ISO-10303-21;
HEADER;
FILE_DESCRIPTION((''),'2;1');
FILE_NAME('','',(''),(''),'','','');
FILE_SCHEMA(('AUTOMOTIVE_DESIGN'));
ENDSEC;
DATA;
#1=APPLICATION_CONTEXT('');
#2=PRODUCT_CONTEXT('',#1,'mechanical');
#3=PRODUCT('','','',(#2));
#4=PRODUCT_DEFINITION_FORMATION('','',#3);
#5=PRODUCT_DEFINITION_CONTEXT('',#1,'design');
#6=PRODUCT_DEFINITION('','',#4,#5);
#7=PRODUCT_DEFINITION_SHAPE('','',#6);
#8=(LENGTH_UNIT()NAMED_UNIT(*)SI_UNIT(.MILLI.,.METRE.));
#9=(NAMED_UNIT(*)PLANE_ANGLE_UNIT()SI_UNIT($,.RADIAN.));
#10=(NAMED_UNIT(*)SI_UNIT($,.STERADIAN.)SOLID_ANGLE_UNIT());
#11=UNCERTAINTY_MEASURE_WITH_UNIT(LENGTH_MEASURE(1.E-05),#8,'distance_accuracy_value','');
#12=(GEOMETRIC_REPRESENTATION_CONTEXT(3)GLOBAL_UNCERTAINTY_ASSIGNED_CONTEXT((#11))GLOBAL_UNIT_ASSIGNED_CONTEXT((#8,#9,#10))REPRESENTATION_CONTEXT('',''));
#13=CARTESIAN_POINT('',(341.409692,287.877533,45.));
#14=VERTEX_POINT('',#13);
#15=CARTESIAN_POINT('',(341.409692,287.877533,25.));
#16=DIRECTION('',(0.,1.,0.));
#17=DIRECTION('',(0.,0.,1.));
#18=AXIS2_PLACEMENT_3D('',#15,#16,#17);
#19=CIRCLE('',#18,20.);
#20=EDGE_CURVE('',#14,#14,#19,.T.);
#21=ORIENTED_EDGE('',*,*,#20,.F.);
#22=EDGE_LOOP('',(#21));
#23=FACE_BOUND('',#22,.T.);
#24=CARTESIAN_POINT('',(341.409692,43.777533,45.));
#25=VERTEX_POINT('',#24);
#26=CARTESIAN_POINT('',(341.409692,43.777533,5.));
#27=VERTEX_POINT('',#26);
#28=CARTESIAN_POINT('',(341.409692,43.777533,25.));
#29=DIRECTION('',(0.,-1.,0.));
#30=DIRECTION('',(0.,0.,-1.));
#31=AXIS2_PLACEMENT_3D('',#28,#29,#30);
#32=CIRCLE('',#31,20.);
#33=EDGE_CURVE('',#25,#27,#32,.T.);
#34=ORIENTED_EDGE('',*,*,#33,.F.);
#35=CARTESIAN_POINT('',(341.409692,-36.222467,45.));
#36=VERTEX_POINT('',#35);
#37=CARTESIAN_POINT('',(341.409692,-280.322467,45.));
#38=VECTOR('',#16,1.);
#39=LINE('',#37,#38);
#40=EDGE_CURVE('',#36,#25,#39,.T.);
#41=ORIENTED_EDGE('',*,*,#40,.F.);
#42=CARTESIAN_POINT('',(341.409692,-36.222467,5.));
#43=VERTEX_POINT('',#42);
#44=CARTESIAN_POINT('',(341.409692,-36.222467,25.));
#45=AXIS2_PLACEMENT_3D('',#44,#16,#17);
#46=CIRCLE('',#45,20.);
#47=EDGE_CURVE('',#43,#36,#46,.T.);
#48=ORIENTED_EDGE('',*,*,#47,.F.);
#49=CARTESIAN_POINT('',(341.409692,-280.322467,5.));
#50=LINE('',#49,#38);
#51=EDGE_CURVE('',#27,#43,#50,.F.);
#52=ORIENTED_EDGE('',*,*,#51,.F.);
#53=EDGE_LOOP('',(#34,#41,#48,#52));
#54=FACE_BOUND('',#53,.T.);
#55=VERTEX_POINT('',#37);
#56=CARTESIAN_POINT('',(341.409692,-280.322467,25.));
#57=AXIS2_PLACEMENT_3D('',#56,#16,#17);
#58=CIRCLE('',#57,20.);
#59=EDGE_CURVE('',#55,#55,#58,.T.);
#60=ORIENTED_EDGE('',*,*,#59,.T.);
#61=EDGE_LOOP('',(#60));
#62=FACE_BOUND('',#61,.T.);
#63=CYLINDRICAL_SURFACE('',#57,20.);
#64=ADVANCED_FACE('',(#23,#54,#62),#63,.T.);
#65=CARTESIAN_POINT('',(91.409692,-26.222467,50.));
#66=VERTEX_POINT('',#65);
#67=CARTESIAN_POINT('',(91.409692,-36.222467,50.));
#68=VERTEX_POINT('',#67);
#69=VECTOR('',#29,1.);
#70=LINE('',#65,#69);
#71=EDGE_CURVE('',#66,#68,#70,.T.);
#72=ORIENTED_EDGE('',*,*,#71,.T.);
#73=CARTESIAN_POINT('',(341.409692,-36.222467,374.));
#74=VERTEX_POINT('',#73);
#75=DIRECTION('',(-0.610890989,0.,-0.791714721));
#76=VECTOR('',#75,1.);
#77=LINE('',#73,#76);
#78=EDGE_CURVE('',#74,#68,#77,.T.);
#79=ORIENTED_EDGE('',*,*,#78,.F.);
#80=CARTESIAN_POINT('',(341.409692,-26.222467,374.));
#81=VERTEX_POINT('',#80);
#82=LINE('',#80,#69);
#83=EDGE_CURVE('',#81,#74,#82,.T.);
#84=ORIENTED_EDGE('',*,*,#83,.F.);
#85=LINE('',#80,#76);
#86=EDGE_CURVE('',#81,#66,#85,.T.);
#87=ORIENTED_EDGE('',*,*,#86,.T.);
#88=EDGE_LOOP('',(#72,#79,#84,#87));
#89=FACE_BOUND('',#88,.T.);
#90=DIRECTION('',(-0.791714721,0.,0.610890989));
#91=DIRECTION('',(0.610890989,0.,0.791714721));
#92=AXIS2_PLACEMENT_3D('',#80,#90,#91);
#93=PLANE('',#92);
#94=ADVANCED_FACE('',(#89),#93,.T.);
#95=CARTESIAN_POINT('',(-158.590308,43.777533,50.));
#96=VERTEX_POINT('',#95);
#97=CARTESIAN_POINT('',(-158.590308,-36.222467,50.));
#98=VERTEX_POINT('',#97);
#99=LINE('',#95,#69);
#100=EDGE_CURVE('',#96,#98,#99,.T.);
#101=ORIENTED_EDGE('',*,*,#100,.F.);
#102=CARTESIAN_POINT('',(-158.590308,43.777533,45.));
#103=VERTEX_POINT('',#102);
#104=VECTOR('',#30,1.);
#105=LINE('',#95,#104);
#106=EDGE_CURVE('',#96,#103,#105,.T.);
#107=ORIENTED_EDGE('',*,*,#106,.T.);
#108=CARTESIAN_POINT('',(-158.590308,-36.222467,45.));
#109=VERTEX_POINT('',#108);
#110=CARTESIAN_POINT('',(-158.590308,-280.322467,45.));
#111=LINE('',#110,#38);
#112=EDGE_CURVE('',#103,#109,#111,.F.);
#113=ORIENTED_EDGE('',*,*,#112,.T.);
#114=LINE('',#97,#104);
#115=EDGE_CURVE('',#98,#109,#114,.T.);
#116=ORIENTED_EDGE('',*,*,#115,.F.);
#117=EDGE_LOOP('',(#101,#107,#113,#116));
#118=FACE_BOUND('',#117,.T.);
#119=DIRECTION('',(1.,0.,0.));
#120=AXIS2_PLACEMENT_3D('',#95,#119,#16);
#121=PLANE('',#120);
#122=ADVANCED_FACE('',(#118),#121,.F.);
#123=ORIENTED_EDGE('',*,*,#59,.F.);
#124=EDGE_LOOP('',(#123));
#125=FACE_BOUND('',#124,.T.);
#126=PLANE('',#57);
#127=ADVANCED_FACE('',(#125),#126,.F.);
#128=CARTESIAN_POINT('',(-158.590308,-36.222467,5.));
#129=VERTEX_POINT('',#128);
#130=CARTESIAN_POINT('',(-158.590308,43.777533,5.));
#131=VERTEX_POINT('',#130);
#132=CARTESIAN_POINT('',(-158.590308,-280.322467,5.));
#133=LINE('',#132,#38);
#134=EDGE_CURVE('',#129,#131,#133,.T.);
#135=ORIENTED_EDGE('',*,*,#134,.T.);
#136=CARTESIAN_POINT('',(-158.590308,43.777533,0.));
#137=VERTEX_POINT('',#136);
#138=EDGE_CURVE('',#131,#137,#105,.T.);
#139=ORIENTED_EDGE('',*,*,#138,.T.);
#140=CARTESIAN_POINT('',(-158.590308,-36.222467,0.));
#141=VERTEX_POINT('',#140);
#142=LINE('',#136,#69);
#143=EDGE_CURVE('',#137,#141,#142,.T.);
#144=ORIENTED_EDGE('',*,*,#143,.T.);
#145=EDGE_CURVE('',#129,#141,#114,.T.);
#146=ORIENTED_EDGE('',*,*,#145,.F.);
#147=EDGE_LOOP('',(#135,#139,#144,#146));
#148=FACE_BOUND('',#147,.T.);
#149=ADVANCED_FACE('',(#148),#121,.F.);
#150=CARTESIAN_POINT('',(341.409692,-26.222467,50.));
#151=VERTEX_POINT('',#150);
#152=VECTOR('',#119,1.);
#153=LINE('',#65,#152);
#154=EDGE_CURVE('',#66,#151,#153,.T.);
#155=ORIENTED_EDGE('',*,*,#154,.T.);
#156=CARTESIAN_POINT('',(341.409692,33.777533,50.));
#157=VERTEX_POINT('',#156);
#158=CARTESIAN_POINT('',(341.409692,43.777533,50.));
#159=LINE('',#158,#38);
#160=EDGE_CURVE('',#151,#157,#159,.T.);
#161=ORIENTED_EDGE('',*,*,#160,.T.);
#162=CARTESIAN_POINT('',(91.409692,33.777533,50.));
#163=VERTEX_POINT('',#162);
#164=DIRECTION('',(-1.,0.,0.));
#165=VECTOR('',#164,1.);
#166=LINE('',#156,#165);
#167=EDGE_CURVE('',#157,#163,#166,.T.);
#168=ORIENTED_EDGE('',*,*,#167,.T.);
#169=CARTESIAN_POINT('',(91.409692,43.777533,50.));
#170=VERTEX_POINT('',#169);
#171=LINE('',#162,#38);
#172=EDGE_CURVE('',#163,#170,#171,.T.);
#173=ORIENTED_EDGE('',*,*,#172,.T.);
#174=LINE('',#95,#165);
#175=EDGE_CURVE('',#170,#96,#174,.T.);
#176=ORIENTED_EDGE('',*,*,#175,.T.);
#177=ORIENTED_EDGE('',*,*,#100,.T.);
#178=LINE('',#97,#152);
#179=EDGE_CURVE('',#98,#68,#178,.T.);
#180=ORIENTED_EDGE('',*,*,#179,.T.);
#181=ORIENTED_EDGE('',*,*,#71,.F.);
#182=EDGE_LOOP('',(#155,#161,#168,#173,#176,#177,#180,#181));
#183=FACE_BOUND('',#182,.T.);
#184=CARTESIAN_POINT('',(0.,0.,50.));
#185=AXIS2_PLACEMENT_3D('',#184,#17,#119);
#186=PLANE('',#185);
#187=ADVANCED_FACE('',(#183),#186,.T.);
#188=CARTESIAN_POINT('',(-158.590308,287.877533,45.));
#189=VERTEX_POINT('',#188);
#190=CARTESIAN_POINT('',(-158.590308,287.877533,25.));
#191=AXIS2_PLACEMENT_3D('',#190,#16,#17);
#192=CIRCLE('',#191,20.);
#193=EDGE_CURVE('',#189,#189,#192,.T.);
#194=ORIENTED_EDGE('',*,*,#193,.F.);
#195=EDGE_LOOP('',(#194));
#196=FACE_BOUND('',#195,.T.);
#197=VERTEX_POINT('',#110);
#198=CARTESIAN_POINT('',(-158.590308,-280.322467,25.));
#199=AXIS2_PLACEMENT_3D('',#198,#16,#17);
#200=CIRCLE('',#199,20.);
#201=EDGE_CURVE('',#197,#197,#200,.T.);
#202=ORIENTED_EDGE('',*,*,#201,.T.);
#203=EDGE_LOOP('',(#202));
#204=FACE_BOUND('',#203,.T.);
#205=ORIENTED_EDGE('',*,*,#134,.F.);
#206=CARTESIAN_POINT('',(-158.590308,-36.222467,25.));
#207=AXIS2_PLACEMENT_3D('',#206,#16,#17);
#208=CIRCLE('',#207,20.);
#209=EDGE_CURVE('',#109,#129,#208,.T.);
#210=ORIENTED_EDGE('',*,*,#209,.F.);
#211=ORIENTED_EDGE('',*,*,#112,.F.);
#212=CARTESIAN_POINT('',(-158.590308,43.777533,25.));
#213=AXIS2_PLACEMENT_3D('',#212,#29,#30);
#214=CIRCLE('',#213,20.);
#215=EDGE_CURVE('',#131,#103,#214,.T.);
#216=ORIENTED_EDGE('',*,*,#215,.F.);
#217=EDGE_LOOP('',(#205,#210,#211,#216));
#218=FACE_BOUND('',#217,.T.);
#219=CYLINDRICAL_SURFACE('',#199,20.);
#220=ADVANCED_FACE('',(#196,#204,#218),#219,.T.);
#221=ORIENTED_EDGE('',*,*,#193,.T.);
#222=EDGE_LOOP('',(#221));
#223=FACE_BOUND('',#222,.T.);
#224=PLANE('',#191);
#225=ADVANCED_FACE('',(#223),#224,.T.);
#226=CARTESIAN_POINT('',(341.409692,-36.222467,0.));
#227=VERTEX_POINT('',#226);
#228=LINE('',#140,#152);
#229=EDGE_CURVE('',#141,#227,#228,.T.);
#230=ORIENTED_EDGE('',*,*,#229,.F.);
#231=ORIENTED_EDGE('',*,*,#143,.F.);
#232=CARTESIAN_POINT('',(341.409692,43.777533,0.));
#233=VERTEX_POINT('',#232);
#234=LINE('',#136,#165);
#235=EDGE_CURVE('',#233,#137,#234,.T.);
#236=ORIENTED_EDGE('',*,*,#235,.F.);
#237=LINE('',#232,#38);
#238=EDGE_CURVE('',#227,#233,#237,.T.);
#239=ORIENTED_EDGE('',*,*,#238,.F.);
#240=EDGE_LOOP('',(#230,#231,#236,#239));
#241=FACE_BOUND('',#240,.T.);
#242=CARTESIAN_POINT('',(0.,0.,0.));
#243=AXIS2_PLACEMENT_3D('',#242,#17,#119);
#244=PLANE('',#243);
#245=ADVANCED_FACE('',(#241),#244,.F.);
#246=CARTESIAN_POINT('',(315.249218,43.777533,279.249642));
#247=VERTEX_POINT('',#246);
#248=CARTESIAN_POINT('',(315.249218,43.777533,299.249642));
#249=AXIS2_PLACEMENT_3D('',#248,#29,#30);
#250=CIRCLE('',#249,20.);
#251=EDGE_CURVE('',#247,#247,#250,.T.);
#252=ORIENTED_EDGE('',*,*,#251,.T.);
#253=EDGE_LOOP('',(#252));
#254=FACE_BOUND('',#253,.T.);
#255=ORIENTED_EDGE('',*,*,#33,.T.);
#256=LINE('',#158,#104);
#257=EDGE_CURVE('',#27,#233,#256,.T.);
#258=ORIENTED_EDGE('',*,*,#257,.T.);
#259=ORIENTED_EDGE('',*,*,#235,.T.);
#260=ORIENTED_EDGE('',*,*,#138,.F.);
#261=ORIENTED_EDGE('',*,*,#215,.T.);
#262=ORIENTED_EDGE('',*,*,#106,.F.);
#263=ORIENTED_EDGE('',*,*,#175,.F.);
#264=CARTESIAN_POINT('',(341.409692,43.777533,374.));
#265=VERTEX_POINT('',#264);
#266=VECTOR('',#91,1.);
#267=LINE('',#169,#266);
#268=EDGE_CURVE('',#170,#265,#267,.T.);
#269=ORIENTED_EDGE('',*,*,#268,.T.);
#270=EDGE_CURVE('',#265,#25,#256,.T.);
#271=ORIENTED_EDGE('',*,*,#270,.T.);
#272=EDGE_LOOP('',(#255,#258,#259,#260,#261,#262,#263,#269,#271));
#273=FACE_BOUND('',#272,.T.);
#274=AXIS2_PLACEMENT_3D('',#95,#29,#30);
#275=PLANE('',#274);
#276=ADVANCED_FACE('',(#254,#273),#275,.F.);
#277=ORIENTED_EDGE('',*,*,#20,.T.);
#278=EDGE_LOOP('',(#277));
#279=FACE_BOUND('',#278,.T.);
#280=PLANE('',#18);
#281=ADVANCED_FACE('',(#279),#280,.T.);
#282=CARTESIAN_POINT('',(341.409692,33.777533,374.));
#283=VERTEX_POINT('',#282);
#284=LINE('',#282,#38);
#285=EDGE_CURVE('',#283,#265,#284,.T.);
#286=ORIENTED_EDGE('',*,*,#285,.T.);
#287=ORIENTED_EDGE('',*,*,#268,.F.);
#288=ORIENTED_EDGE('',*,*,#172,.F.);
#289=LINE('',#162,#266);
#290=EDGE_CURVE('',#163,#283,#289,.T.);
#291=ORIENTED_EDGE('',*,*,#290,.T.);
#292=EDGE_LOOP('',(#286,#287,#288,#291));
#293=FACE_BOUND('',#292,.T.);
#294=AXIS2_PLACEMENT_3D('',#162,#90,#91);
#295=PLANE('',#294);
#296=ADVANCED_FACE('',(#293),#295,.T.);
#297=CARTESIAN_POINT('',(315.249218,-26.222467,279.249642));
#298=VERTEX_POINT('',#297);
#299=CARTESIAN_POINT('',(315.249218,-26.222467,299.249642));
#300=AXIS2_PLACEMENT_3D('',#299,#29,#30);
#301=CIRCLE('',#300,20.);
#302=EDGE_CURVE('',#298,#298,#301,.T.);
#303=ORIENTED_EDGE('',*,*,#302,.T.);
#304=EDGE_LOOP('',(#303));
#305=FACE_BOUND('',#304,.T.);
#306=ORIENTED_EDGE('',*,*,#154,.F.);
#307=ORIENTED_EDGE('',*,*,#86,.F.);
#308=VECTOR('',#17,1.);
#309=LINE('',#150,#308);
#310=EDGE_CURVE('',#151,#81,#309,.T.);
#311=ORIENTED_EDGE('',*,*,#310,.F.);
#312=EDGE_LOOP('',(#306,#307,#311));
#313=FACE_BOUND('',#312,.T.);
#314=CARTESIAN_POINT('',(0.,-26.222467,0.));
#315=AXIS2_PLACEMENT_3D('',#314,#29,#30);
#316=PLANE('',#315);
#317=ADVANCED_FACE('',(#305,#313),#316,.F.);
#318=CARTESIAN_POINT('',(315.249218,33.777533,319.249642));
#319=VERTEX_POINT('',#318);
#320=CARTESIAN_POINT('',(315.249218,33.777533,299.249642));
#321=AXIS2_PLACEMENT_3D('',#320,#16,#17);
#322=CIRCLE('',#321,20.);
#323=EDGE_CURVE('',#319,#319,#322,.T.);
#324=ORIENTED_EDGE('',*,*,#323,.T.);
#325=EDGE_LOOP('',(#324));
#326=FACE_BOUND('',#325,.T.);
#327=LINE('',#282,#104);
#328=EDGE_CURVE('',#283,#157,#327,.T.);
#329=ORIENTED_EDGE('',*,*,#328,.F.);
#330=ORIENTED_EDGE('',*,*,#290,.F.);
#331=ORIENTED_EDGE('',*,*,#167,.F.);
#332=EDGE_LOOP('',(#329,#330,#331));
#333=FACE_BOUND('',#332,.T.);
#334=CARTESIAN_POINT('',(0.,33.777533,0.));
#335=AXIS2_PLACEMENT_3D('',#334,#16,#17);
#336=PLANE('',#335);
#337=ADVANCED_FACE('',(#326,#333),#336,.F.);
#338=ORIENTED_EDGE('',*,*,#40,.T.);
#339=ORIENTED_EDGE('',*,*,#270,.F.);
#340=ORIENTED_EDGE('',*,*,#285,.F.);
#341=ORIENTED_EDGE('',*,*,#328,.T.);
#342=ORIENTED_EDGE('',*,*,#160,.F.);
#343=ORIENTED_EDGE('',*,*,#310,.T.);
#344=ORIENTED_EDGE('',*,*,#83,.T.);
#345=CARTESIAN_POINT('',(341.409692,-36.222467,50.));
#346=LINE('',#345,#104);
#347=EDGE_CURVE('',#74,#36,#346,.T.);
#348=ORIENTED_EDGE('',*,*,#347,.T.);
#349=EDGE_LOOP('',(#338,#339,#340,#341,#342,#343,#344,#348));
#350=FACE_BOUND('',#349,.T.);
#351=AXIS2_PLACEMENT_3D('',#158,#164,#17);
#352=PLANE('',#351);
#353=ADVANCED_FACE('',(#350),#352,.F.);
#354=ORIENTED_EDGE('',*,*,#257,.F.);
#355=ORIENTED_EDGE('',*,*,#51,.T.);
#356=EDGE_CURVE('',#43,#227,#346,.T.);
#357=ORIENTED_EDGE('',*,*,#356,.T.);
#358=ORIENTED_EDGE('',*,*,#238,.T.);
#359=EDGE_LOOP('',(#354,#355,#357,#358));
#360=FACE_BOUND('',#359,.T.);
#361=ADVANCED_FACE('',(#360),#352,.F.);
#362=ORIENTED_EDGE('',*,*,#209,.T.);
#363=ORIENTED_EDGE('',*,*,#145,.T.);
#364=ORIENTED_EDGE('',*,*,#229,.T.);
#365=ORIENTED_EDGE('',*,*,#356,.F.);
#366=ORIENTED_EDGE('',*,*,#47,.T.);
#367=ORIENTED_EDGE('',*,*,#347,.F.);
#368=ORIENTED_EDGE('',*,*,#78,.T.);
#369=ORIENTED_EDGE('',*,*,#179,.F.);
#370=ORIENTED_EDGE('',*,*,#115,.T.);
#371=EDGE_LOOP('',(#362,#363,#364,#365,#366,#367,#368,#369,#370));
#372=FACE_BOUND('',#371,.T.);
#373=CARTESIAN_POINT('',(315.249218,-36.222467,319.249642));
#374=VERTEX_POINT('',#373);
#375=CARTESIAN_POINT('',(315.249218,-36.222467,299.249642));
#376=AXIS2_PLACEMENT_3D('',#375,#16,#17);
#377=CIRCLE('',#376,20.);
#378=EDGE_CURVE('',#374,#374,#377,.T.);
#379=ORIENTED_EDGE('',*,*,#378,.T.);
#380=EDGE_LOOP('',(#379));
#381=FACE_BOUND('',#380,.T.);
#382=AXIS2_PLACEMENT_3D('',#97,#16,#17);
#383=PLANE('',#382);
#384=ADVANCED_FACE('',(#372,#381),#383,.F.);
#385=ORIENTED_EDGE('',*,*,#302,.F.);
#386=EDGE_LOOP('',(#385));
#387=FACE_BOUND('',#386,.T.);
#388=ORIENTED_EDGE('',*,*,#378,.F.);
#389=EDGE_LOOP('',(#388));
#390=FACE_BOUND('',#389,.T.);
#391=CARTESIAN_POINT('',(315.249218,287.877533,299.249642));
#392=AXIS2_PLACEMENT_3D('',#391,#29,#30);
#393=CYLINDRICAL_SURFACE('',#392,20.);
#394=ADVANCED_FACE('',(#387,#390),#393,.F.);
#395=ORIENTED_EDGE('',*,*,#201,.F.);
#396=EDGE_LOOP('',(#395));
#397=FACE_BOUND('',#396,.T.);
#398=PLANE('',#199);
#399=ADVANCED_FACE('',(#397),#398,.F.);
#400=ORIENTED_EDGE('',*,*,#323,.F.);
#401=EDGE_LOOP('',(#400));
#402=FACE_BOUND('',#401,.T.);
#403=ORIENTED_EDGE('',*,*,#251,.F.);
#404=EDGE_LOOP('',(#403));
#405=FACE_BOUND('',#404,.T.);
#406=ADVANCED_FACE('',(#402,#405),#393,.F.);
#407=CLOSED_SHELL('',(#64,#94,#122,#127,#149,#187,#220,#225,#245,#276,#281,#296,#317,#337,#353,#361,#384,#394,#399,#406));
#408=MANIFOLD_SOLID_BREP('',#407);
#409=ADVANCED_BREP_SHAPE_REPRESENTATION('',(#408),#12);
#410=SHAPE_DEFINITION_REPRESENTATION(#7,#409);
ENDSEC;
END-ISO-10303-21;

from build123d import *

# Parameters (mm, degrees)
SKETCH1_W                = 500
SKETCH1_H                = 80
BOSS_EXTRUDE1_DEPTH      = 50
BOSS_EXTRUDE2_DEPTH      = 244.1
BOSS_EXTRUDE2_DEPTH_BACK = 324.1
SKETCH2_R                = 20
BOSS_EXTRUDE5_DEPTH      = 10
BOSS_EXTRUDE6_DEPTH      = 10
CUT_EXTRUDE4_DEPTH       = 613.808106347
CUT_EXTRUDE4_DEPTH_BACK  = 613.808106347
SKETCH7_R                = 20


with BuildPart() as part:
    # Sketch1 → Boss-Extrude1 (new body)
    with BuildSketch(Plane.XY):
        with Locations((91.40969163, 3.77753304)):
            Rectangle(SKETCH1_W, SKETCH1_H)
    extrude(amount=BOSS_EXTRUDE1_DEPTH)

    # Sketch2 → Boss-Extrude2 (add, two sides: drawn at the far end of the back side and taken through both)
    with BuildSketch(Plane(origin=(0, 43.77753304, 0), x_dir=(1, 0, 0), z_dir=(0, 1, 0)).offset(-BOSS_EXTRUDE2_DEPTH_BACK)):
        with Locations(Location((-158.59030837, -25, 0), (0, 0, 270))):
            Circle(SKETCH2_R)
        with Locations(Location((341.40969163, -25, 0), (0, 0, 270))):
            Circle(SKETCH2_R)
    extrude(amount=BOSS_EXTRUDE2_DEPTH + BOSS_EXTRUDE2_DEPTH_BACK)

    # Sketch5 → Boss-Extrude5 (add)
    with BuildSketch(Plane(origin=(0, -36.22246696, 0), x_dir=(-1, 0, 0), z_dir=(0, -1, 0))):
        Polygon((-341.40969163, -50), (-341.40969163, -374), (-91.40969163, -50), align=None)
    extrude(amount=-BOSS_EXTRUDE5_DEPTH)

    # Sketch6 → Boss-Extrude6 (add)
    with BuildSketch(Plane(origin=(0, 43.77753304, 0), x_dir=(1, 0, 0), z_dir=(0, 1, 0))):
        Polygon((341.40969163, -50), (91.40969163, -50), (341.40969163, -374), align=None)
    extrude(amount=-BOSS_EXTRUDE6_DEPTH)

    # Sketch7 → Cut-Extrude4 (cut, two sides: drawn at the far end of the back side and taken through both)
    with BuildSketch(Plane(origin=(0, -36.22246696, 0), x_dir=(-1, 0, 0), z_dir=(0, -1, 0)).offset(-CUT_EXTRUDE4_DEPTH_BACK)):
        with Locations(Location((-315.24921844, -299.249641509, 0), (0, 0, 90))):
            Circle(SKETCH7_R)
    extrude(amount=CUT_EXTRUDE4_DEPTH + CUT_EXTRUDE4_DEPTH_BACK, mode=Mode.SUBTRACT)


solid = part.part
